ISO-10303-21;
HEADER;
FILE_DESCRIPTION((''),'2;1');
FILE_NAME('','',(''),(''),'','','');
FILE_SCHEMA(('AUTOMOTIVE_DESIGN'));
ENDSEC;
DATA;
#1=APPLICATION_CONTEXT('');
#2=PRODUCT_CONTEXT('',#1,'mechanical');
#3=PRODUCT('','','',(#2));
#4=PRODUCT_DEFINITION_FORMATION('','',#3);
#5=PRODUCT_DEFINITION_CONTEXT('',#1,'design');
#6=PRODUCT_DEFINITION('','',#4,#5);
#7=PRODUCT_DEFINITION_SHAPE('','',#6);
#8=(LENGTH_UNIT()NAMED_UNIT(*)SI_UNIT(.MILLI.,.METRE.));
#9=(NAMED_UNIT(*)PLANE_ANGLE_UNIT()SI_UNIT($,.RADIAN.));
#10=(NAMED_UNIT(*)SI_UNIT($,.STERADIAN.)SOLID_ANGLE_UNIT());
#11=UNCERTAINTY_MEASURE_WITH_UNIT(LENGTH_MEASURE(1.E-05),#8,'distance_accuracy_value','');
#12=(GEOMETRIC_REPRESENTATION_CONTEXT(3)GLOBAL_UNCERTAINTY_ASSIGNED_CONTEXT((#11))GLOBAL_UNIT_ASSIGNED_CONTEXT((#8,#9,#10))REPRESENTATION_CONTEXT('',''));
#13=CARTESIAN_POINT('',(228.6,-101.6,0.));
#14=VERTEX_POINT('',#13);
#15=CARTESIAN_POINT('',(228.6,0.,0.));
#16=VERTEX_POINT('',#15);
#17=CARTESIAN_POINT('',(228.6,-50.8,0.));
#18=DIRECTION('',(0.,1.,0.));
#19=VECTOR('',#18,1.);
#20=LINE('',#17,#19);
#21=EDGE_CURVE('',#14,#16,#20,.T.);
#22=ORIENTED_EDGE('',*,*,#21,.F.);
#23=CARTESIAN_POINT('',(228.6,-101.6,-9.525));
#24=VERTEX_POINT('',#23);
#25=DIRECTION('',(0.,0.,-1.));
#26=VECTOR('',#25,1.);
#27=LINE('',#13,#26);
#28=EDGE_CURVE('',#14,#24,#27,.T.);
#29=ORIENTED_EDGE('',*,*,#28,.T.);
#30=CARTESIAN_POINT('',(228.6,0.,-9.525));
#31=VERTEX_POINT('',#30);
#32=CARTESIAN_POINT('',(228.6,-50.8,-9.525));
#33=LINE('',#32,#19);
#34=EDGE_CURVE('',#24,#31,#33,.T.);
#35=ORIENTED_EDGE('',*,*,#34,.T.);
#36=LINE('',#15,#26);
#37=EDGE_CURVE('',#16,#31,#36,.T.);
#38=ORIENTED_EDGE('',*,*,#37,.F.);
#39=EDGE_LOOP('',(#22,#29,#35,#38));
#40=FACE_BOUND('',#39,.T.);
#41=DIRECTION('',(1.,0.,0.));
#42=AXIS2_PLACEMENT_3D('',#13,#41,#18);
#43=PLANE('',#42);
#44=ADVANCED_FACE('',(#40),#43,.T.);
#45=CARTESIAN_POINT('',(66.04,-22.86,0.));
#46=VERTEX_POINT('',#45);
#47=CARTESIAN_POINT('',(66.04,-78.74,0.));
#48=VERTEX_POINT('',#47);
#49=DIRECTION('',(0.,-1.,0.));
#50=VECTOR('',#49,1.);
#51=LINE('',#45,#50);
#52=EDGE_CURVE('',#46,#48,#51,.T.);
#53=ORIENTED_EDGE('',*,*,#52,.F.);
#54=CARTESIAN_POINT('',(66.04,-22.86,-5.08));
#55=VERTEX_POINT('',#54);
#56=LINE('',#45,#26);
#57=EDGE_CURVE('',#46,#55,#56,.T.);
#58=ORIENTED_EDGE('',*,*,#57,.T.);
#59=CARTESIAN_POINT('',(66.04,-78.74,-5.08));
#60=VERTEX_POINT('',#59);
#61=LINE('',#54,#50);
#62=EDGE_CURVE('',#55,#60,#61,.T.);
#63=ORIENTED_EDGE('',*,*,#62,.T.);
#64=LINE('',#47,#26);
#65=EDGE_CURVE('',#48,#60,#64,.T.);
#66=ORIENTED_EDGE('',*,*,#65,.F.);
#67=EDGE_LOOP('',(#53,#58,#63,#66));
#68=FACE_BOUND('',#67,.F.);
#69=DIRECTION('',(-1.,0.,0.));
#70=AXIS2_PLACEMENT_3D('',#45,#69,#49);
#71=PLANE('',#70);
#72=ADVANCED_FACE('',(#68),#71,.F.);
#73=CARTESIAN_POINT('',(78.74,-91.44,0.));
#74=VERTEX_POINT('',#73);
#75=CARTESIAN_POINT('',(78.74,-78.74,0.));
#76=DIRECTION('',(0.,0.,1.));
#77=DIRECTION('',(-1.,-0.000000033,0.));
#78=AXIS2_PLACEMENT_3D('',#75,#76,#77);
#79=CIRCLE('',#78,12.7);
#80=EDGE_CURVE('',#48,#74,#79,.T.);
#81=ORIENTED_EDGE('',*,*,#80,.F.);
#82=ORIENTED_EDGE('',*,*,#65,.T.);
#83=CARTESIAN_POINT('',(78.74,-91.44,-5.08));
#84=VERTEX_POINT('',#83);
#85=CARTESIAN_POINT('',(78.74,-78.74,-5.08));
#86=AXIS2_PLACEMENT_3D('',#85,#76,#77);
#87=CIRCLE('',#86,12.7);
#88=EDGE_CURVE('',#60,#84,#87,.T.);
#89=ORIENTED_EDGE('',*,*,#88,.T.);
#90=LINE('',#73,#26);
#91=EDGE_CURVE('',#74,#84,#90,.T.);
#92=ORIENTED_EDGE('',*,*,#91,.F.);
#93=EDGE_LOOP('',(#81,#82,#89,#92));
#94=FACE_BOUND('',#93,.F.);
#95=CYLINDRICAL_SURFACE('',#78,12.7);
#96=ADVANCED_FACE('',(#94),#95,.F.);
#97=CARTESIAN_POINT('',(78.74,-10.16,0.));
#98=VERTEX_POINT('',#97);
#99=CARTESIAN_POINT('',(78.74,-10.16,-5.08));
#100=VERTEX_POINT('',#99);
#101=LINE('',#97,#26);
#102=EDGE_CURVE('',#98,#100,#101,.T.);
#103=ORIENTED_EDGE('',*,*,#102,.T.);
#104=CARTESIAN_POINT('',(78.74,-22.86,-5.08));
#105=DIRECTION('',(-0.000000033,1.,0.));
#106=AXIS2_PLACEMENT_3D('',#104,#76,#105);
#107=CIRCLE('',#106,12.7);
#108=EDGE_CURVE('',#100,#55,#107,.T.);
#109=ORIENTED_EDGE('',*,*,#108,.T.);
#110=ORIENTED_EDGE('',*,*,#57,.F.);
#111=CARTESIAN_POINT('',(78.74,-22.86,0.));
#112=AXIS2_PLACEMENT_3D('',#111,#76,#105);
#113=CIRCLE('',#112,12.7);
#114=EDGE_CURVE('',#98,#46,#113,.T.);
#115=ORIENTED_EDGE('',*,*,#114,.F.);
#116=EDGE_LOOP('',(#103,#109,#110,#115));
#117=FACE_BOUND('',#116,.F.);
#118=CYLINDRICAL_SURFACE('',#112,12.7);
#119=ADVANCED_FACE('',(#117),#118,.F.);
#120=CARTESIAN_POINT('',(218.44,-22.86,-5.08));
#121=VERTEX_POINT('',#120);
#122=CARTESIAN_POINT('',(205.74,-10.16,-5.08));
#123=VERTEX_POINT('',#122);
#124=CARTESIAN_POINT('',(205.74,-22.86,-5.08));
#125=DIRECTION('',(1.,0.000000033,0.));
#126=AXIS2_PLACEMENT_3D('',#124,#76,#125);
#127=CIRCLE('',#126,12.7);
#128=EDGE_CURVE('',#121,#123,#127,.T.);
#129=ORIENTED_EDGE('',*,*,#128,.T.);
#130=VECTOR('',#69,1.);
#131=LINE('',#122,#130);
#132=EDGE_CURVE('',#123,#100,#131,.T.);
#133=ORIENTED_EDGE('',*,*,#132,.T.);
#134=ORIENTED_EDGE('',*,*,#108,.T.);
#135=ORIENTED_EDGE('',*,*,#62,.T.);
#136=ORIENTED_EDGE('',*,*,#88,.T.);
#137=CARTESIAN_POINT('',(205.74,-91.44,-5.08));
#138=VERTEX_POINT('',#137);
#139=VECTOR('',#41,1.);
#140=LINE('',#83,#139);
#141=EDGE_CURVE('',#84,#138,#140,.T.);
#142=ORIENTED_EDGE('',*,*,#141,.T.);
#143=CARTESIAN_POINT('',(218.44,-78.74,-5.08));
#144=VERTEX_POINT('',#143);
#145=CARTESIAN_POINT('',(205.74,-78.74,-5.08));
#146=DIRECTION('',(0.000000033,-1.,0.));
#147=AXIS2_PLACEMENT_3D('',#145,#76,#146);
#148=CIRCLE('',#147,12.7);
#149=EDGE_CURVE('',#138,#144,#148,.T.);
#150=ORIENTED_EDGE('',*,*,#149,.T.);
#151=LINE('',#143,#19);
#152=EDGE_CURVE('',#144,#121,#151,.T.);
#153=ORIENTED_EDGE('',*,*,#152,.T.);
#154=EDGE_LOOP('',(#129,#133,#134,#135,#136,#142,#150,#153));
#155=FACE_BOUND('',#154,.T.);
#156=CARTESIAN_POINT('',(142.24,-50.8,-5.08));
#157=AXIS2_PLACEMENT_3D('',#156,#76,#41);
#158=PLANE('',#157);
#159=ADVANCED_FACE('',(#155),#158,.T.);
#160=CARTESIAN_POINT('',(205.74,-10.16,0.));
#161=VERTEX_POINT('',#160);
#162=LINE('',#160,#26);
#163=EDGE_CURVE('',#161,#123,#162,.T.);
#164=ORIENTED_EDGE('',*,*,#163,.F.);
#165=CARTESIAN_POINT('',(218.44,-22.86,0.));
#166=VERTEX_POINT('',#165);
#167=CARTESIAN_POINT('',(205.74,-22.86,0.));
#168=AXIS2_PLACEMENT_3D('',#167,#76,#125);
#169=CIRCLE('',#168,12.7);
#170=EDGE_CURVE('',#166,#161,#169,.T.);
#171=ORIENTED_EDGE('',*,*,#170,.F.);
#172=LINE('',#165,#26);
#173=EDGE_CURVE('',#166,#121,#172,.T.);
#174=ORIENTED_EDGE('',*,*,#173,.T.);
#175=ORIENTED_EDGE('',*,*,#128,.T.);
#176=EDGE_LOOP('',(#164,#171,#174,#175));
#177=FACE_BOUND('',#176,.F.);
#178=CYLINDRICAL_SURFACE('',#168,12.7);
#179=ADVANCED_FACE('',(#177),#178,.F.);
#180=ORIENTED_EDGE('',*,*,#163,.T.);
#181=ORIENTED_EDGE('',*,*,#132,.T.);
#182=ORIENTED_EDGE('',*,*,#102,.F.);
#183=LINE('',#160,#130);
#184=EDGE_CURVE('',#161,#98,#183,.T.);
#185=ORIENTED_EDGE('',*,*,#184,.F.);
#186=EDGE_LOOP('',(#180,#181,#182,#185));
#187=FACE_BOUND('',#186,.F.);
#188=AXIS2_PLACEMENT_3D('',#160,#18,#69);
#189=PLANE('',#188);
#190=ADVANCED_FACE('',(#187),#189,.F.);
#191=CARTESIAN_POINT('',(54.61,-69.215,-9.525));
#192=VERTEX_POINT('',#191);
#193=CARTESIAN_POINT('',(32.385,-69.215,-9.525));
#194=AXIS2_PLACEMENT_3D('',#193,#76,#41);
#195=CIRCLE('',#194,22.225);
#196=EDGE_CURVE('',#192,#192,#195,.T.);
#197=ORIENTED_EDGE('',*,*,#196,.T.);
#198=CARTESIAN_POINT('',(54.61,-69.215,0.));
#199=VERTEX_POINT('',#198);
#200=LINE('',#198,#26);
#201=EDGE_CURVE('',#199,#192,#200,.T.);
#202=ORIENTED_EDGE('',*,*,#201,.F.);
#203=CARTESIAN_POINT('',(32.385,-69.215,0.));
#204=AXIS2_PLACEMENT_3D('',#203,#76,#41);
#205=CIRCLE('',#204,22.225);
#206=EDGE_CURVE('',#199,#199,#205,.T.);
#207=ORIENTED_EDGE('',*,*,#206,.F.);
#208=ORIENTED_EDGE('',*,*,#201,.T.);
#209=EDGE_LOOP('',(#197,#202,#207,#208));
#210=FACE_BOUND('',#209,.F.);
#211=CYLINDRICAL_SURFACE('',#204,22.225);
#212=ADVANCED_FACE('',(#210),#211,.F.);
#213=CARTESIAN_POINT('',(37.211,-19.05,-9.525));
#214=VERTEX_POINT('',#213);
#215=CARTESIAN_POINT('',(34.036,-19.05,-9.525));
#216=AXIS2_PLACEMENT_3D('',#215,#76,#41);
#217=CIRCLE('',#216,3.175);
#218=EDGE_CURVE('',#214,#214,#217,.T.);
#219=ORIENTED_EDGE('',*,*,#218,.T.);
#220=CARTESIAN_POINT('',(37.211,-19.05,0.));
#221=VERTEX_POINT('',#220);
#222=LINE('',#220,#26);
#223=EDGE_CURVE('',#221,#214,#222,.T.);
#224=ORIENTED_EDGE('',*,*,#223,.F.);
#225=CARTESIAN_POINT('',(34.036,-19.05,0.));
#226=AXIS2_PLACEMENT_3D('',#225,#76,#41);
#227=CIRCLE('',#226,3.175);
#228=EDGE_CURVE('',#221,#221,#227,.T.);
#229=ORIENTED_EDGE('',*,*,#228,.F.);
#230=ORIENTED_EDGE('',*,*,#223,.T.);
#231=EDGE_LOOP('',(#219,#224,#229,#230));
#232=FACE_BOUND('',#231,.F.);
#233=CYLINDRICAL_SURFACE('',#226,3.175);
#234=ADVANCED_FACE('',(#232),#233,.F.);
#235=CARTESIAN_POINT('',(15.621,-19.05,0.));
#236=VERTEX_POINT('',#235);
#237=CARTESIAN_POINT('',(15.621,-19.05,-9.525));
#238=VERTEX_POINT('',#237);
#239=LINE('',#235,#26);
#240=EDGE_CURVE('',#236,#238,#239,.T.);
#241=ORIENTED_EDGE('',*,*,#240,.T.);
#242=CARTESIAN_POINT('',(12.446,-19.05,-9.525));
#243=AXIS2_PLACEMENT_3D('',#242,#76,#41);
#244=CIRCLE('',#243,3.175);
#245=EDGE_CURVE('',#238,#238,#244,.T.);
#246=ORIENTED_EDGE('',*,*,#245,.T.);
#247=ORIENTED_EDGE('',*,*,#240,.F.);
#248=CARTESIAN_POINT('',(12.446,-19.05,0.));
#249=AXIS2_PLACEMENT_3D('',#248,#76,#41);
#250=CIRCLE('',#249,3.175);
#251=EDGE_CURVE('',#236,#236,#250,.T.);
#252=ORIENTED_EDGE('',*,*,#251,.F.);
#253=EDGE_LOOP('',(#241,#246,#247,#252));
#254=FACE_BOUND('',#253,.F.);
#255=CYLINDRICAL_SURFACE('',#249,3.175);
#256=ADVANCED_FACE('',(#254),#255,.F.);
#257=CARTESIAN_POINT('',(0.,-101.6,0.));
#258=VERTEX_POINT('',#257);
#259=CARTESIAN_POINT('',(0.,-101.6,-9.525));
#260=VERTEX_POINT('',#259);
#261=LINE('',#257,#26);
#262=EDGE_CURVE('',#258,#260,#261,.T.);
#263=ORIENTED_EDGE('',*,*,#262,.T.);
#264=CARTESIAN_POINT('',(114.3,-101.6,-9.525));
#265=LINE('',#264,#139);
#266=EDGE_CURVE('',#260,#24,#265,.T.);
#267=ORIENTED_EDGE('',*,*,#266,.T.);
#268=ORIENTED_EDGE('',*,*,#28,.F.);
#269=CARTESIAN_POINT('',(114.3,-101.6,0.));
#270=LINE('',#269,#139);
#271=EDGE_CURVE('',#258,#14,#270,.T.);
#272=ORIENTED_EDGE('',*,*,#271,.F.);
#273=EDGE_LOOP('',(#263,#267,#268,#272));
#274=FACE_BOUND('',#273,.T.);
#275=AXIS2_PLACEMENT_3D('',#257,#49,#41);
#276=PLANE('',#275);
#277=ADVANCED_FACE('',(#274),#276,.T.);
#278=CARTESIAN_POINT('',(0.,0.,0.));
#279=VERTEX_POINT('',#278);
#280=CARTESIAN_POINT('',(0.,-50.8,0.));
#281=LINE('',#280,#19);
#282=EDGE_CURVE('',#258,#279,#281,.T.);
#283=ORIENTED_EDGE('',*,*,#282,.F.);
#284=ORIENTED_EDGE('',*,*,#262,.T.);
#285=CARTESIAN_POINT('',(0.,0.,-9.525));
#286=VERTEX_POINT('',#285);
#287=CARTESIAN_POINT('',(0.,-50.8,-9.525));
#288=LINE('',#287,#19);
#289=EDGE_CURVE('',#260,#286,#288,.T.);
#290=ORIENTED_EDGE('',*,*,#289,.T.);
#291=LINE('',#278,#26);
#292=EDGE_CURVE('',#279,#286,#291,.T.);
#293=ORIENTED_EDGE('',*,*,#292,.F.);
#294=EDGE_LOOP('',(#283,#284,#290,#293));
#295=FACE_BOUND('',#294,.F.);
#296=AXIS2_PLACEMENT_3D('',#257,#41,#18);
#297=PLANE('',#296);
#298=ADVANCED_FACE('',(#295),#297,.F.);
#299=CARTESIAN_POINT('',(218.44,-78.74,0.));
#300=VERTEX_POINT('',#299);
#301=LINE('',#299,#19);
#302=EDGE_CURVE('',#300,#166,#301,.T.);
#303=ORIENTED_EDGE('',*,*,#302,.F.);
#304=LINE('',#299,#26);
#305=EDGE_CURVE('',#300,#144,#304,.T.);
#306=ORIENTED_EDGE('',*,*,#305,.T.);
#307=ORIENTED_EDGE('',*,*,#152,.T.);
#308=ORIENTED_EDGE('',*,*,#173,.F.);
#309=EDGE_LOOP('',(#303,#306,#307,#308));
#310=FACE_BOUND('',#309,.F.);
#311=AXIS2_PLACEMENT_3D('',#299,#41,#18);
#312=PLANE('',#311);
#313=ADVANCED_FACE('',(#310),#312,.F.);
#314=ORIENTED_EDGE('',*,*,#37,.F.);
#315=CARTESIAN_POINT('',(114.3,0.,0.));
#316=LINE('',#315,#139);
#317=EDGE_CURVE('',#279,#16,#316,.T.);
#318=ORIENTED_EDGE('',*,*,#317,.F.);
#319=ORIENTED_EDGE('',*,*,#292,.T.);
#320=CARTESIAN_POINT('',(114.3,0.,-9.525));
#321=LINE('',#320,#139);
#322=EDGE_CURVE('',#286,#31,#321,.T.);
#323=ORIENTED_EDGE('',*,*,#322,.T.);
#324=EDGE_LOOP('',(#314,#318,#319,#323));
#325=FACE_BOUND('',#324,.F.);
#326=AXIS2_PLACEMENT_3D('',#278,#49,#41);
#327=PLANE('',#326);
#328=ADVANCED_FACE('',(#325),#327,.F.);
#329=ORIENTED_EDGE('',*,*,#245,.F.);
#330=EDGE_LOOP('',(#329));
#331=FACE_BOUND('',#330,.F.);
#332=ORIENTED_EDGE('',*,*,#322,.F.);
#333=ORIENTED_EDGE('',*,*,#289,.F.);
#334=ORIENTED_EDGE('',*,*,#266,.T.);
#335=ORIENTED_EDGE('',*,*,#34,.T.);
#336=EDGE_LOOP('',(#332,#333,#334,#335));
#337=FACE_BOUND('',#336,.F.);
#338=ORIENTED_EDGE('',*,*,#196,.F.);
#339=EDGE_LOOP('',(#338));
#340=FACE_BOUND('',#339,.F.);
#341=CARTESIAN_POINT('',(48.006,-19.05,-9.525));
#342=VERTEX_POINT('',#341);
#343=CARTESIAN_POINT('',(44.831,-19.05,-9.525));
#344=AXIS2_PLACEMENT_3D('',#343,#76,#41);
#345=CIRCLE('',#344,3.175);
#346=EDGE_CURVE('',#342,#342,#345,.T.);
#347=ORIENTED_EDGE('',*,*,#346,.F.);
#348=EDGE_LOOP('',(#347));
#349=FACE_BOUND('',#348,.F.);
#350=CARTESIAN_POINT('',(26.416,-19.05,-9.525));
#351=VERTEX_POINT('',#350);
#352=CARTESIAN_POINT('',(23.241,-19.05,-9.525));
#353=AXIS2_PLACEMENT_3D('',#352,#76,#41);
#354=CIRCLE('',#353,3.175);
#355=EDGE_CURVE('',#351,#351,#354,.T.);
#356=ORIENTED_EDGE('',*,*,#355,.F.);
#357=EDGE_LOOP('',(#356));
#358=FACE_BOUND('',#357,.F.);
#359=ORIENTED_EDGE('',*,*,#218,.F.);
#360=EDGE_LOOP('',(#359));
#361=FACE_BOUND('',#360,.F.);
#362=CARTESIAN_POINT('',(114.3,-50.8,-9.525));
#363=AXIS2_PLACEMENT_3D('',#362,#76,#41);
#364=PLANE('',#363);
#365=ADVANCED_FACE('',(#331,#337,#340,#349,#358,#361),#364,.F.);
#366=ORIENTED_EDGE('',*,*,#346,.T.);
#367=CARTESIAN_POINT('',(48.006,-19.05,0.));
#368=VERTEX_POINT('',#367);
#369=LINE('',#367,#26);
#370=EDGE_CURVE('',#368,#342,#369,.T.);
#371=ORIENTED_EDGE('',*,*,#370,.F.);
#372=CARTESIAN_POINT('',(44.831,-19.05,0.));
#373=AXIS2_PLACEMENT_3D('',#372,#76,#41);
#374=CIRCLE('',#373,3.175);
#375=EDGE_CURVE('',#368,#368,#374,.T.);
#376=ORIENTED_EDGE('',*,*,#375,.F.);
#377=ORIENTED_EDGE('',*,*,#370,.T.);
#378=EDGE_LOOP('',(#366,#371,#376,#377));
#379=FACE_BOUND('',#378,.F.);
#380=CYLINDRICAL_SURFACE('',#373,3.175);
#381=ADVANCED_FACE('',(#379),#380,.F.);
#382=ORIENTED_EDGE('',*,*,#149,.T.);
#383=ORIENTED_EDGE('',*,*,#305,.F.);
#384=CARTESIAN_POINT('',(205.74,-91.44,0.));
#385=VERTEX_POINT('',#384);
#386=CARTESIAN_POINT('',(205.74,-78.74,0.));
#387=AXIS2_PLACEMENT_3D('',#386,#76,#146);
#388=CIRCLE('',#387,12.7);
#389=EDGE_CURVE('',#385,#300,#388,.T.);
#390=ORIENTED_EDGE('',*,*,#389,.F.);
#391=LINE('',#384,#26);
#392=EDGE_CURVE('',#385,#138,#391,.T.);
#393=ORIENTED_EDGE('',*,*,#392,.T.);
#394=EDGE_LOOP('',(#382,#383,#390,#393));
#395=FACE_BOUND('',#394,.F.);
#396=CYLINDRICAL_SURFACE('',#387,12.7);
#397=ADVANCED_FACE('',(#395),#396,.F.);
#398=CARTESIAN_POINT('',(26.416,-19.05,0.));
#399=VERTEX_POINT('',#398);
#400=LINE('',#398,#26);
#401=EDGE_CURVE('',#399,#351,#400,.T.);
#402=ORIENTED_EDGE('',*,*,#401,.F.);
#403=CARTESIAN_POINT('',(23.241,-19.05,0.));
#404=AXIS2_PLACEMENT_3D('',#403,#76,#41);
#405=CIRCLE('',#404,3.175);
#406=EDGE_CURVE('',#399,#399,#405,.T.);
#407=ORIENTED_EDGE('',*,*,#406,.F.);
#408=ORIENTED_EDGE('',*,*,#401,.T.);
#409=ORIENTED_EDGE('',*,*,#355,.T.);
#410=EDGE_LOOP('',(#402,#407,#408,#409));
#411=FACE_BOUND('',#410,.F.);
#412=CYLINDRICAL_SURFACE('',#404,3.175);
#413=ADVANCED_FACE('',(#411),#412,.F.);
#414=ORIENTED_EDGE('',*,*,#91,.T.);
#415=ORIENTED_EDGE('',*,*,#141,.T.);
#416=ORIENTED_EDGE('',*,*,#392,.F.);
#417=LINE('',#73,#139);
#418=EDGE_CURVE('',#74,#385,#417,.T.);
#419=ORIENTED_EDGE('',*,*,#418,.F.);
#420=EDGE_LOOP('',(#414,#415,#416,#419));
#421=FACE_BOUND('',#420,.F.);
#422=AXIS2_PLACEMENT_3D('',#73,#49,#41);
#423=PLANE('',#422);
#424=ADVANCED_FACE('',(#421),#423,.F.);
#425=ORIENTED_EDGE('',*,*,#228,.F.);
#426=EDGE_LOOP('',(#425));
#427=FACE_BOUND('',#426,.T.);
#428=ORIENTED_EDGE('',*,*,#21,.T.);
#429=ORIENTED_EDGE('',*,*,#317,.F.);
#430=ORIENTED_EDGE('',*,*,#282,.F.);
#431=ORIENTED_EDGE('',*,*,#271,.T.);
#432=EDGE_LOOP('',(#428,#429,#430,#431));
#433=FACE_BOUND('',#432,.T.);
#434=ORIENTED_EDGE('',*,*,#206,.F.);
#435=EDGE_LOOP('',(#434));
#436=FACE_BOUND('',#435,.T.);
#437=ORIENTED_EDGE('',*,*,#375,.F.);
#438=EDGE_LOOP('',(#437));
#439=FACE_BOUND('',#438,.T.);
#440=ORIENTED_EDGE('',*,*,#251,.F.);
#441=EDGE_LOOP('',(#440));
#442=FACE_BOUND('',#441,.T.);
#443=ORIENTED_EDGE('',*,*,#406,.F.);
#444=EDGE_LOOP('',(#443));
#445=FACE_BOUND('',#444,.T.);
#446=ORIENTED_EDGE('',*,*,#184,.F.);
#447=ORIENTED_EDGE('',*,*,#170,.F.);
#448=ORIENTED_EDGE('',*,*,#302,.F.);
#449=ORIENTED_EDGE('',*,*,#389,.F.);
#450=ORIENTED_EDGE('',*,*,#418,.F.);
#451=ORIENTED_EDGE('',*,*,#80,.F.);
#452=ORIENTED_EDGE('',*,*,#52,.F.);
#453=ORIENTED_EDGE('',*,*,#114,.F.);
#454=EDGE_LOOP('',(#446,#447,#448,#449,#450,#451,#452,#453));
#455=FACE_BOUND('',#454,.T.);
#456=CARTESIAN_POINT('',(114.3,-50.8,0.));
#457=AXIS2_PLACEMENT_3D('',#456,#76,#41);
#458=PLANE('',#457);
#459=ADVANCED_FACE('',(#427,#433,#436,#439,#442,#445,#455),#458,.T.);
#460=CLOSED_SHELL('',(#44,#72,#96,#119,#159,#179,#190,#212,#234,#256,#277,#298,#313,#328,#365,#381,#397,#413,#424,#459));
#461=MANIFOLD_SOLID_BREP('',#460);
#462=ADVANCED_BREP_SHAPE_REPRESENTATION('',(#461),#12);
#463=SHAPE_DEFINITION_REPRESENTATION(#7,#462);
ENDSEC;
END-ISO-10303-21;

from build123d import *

# Parameters (mm, degrees)
F0_W     = 228.6
F0_H     = 101.6
F0_R     = 22.225
F0_R_2   = 3.175
F1_DEPTH = 9.525
F2_DEPTH = 5.08


with BuildPart() as f1:
    # F0 (on Top) → F1 (new body)
    with BuildSketch(Plane.XY):
        with Locations((114.3, -50.8)):
            Rectangle(F0_W, F0_H)
        with Locations((32.385, -69.215)):
            Circle(F0_R, mode=Mode.SUBTRACT)
        with Locations((12.446, -19.05)):
            Circle(F0_R_2, mode=Mode.SUBTRACT)
        with Locations((23.241, -19.05)):
            Circle(F0_R_2, mode=Mode.SUBTRACT)
        with Locations((34.036, -19.05)):
            Circle(F0_R_2, mode=Mode.SUBTRACT)
        with Locations((44.831, -19.05)):
            Circle(F0_R_2, mode=Mode.SUBTRACT)
        with BuildLine():
            ThreePointArc((66.04, -22.86), (69.759744, -13.879744), (78.74, -10.16))
            Line((78.74, -10.16), (205.74, -10.16))
            ThreePointArc((205.74, -10.16), (214.720256, -13.879744), (218.44, -22.86))
            Line((218.44, -22.86), (218.44, -78.74))
            ThreePointArc((218.44, -78.74), (214.720256, -87.720256), (205.74, -91.44))
            Line((205.74, -91.44), (78.74, -91.44))
            ThreePointArc((78.74, -91.44), (69.759744, -87.720256), (66.04, -78.74))
            Line((66.04, -78.74), (66.04, -22.86))
        make_face(mode=Mode.SUBTRACT)
        with BuildLine():
            Line((205.74, -10.16), (78.74, -10.16))
            ThreePointArc((78.74, -10.16), (69.759744, -13.879744), (66.04, -22.86))
            Line((66.04, -22.86), (66.04, -78.74))
            ThreePointArc((66.04, -78.74), (69.759744, -87.720256), (78.74, -91.44))
            Line((78.74, -91.44), (205.74, -91.44))
            ThreePointArc((205.74, -91.44), (214.720256, -87.720256), (218.44, -78.74))
            Line((218.44, -78.74), (218.44, -22.86))
            ThreePointArc((218.44, -22.86), (214.720256, -13.879744), (205.74, -10.16))
        make_face()
    extrude(amount=-F1_DEPTH)

    # F0 (on Top) → F2 (cut)
    with BuildSketch(Plane.XY):
        with BuildLine():
            Line((205.74, -10.16), (78.74, -10.16))
            ThreePointArc((78.74, -10.16), (69.759744, -13.879744), (66.04, -22.86))
            Line((66.04, -22.86), (66.04, -78.74))
            ThreePointArc((66.04, -78.74), (69.759744, -87.720256), (78.74, -91.44))
            Line((78.74, -91.44), (205.74, -91.44))
            ThreePointArc((205.74, -91.44), (214.720256, -87.720256), (218.44, -78.74))
            Line((218.44, -78.74), (218.44, -22.86))
            ThreePointArc((218.44, -22.86), (214.720256, -13.879744), (205.74, -10.16))
        make_face()
    extrude(amount=-F2_DEPTH, mode=Mode.SUBTRACT)


solid = f1.part
